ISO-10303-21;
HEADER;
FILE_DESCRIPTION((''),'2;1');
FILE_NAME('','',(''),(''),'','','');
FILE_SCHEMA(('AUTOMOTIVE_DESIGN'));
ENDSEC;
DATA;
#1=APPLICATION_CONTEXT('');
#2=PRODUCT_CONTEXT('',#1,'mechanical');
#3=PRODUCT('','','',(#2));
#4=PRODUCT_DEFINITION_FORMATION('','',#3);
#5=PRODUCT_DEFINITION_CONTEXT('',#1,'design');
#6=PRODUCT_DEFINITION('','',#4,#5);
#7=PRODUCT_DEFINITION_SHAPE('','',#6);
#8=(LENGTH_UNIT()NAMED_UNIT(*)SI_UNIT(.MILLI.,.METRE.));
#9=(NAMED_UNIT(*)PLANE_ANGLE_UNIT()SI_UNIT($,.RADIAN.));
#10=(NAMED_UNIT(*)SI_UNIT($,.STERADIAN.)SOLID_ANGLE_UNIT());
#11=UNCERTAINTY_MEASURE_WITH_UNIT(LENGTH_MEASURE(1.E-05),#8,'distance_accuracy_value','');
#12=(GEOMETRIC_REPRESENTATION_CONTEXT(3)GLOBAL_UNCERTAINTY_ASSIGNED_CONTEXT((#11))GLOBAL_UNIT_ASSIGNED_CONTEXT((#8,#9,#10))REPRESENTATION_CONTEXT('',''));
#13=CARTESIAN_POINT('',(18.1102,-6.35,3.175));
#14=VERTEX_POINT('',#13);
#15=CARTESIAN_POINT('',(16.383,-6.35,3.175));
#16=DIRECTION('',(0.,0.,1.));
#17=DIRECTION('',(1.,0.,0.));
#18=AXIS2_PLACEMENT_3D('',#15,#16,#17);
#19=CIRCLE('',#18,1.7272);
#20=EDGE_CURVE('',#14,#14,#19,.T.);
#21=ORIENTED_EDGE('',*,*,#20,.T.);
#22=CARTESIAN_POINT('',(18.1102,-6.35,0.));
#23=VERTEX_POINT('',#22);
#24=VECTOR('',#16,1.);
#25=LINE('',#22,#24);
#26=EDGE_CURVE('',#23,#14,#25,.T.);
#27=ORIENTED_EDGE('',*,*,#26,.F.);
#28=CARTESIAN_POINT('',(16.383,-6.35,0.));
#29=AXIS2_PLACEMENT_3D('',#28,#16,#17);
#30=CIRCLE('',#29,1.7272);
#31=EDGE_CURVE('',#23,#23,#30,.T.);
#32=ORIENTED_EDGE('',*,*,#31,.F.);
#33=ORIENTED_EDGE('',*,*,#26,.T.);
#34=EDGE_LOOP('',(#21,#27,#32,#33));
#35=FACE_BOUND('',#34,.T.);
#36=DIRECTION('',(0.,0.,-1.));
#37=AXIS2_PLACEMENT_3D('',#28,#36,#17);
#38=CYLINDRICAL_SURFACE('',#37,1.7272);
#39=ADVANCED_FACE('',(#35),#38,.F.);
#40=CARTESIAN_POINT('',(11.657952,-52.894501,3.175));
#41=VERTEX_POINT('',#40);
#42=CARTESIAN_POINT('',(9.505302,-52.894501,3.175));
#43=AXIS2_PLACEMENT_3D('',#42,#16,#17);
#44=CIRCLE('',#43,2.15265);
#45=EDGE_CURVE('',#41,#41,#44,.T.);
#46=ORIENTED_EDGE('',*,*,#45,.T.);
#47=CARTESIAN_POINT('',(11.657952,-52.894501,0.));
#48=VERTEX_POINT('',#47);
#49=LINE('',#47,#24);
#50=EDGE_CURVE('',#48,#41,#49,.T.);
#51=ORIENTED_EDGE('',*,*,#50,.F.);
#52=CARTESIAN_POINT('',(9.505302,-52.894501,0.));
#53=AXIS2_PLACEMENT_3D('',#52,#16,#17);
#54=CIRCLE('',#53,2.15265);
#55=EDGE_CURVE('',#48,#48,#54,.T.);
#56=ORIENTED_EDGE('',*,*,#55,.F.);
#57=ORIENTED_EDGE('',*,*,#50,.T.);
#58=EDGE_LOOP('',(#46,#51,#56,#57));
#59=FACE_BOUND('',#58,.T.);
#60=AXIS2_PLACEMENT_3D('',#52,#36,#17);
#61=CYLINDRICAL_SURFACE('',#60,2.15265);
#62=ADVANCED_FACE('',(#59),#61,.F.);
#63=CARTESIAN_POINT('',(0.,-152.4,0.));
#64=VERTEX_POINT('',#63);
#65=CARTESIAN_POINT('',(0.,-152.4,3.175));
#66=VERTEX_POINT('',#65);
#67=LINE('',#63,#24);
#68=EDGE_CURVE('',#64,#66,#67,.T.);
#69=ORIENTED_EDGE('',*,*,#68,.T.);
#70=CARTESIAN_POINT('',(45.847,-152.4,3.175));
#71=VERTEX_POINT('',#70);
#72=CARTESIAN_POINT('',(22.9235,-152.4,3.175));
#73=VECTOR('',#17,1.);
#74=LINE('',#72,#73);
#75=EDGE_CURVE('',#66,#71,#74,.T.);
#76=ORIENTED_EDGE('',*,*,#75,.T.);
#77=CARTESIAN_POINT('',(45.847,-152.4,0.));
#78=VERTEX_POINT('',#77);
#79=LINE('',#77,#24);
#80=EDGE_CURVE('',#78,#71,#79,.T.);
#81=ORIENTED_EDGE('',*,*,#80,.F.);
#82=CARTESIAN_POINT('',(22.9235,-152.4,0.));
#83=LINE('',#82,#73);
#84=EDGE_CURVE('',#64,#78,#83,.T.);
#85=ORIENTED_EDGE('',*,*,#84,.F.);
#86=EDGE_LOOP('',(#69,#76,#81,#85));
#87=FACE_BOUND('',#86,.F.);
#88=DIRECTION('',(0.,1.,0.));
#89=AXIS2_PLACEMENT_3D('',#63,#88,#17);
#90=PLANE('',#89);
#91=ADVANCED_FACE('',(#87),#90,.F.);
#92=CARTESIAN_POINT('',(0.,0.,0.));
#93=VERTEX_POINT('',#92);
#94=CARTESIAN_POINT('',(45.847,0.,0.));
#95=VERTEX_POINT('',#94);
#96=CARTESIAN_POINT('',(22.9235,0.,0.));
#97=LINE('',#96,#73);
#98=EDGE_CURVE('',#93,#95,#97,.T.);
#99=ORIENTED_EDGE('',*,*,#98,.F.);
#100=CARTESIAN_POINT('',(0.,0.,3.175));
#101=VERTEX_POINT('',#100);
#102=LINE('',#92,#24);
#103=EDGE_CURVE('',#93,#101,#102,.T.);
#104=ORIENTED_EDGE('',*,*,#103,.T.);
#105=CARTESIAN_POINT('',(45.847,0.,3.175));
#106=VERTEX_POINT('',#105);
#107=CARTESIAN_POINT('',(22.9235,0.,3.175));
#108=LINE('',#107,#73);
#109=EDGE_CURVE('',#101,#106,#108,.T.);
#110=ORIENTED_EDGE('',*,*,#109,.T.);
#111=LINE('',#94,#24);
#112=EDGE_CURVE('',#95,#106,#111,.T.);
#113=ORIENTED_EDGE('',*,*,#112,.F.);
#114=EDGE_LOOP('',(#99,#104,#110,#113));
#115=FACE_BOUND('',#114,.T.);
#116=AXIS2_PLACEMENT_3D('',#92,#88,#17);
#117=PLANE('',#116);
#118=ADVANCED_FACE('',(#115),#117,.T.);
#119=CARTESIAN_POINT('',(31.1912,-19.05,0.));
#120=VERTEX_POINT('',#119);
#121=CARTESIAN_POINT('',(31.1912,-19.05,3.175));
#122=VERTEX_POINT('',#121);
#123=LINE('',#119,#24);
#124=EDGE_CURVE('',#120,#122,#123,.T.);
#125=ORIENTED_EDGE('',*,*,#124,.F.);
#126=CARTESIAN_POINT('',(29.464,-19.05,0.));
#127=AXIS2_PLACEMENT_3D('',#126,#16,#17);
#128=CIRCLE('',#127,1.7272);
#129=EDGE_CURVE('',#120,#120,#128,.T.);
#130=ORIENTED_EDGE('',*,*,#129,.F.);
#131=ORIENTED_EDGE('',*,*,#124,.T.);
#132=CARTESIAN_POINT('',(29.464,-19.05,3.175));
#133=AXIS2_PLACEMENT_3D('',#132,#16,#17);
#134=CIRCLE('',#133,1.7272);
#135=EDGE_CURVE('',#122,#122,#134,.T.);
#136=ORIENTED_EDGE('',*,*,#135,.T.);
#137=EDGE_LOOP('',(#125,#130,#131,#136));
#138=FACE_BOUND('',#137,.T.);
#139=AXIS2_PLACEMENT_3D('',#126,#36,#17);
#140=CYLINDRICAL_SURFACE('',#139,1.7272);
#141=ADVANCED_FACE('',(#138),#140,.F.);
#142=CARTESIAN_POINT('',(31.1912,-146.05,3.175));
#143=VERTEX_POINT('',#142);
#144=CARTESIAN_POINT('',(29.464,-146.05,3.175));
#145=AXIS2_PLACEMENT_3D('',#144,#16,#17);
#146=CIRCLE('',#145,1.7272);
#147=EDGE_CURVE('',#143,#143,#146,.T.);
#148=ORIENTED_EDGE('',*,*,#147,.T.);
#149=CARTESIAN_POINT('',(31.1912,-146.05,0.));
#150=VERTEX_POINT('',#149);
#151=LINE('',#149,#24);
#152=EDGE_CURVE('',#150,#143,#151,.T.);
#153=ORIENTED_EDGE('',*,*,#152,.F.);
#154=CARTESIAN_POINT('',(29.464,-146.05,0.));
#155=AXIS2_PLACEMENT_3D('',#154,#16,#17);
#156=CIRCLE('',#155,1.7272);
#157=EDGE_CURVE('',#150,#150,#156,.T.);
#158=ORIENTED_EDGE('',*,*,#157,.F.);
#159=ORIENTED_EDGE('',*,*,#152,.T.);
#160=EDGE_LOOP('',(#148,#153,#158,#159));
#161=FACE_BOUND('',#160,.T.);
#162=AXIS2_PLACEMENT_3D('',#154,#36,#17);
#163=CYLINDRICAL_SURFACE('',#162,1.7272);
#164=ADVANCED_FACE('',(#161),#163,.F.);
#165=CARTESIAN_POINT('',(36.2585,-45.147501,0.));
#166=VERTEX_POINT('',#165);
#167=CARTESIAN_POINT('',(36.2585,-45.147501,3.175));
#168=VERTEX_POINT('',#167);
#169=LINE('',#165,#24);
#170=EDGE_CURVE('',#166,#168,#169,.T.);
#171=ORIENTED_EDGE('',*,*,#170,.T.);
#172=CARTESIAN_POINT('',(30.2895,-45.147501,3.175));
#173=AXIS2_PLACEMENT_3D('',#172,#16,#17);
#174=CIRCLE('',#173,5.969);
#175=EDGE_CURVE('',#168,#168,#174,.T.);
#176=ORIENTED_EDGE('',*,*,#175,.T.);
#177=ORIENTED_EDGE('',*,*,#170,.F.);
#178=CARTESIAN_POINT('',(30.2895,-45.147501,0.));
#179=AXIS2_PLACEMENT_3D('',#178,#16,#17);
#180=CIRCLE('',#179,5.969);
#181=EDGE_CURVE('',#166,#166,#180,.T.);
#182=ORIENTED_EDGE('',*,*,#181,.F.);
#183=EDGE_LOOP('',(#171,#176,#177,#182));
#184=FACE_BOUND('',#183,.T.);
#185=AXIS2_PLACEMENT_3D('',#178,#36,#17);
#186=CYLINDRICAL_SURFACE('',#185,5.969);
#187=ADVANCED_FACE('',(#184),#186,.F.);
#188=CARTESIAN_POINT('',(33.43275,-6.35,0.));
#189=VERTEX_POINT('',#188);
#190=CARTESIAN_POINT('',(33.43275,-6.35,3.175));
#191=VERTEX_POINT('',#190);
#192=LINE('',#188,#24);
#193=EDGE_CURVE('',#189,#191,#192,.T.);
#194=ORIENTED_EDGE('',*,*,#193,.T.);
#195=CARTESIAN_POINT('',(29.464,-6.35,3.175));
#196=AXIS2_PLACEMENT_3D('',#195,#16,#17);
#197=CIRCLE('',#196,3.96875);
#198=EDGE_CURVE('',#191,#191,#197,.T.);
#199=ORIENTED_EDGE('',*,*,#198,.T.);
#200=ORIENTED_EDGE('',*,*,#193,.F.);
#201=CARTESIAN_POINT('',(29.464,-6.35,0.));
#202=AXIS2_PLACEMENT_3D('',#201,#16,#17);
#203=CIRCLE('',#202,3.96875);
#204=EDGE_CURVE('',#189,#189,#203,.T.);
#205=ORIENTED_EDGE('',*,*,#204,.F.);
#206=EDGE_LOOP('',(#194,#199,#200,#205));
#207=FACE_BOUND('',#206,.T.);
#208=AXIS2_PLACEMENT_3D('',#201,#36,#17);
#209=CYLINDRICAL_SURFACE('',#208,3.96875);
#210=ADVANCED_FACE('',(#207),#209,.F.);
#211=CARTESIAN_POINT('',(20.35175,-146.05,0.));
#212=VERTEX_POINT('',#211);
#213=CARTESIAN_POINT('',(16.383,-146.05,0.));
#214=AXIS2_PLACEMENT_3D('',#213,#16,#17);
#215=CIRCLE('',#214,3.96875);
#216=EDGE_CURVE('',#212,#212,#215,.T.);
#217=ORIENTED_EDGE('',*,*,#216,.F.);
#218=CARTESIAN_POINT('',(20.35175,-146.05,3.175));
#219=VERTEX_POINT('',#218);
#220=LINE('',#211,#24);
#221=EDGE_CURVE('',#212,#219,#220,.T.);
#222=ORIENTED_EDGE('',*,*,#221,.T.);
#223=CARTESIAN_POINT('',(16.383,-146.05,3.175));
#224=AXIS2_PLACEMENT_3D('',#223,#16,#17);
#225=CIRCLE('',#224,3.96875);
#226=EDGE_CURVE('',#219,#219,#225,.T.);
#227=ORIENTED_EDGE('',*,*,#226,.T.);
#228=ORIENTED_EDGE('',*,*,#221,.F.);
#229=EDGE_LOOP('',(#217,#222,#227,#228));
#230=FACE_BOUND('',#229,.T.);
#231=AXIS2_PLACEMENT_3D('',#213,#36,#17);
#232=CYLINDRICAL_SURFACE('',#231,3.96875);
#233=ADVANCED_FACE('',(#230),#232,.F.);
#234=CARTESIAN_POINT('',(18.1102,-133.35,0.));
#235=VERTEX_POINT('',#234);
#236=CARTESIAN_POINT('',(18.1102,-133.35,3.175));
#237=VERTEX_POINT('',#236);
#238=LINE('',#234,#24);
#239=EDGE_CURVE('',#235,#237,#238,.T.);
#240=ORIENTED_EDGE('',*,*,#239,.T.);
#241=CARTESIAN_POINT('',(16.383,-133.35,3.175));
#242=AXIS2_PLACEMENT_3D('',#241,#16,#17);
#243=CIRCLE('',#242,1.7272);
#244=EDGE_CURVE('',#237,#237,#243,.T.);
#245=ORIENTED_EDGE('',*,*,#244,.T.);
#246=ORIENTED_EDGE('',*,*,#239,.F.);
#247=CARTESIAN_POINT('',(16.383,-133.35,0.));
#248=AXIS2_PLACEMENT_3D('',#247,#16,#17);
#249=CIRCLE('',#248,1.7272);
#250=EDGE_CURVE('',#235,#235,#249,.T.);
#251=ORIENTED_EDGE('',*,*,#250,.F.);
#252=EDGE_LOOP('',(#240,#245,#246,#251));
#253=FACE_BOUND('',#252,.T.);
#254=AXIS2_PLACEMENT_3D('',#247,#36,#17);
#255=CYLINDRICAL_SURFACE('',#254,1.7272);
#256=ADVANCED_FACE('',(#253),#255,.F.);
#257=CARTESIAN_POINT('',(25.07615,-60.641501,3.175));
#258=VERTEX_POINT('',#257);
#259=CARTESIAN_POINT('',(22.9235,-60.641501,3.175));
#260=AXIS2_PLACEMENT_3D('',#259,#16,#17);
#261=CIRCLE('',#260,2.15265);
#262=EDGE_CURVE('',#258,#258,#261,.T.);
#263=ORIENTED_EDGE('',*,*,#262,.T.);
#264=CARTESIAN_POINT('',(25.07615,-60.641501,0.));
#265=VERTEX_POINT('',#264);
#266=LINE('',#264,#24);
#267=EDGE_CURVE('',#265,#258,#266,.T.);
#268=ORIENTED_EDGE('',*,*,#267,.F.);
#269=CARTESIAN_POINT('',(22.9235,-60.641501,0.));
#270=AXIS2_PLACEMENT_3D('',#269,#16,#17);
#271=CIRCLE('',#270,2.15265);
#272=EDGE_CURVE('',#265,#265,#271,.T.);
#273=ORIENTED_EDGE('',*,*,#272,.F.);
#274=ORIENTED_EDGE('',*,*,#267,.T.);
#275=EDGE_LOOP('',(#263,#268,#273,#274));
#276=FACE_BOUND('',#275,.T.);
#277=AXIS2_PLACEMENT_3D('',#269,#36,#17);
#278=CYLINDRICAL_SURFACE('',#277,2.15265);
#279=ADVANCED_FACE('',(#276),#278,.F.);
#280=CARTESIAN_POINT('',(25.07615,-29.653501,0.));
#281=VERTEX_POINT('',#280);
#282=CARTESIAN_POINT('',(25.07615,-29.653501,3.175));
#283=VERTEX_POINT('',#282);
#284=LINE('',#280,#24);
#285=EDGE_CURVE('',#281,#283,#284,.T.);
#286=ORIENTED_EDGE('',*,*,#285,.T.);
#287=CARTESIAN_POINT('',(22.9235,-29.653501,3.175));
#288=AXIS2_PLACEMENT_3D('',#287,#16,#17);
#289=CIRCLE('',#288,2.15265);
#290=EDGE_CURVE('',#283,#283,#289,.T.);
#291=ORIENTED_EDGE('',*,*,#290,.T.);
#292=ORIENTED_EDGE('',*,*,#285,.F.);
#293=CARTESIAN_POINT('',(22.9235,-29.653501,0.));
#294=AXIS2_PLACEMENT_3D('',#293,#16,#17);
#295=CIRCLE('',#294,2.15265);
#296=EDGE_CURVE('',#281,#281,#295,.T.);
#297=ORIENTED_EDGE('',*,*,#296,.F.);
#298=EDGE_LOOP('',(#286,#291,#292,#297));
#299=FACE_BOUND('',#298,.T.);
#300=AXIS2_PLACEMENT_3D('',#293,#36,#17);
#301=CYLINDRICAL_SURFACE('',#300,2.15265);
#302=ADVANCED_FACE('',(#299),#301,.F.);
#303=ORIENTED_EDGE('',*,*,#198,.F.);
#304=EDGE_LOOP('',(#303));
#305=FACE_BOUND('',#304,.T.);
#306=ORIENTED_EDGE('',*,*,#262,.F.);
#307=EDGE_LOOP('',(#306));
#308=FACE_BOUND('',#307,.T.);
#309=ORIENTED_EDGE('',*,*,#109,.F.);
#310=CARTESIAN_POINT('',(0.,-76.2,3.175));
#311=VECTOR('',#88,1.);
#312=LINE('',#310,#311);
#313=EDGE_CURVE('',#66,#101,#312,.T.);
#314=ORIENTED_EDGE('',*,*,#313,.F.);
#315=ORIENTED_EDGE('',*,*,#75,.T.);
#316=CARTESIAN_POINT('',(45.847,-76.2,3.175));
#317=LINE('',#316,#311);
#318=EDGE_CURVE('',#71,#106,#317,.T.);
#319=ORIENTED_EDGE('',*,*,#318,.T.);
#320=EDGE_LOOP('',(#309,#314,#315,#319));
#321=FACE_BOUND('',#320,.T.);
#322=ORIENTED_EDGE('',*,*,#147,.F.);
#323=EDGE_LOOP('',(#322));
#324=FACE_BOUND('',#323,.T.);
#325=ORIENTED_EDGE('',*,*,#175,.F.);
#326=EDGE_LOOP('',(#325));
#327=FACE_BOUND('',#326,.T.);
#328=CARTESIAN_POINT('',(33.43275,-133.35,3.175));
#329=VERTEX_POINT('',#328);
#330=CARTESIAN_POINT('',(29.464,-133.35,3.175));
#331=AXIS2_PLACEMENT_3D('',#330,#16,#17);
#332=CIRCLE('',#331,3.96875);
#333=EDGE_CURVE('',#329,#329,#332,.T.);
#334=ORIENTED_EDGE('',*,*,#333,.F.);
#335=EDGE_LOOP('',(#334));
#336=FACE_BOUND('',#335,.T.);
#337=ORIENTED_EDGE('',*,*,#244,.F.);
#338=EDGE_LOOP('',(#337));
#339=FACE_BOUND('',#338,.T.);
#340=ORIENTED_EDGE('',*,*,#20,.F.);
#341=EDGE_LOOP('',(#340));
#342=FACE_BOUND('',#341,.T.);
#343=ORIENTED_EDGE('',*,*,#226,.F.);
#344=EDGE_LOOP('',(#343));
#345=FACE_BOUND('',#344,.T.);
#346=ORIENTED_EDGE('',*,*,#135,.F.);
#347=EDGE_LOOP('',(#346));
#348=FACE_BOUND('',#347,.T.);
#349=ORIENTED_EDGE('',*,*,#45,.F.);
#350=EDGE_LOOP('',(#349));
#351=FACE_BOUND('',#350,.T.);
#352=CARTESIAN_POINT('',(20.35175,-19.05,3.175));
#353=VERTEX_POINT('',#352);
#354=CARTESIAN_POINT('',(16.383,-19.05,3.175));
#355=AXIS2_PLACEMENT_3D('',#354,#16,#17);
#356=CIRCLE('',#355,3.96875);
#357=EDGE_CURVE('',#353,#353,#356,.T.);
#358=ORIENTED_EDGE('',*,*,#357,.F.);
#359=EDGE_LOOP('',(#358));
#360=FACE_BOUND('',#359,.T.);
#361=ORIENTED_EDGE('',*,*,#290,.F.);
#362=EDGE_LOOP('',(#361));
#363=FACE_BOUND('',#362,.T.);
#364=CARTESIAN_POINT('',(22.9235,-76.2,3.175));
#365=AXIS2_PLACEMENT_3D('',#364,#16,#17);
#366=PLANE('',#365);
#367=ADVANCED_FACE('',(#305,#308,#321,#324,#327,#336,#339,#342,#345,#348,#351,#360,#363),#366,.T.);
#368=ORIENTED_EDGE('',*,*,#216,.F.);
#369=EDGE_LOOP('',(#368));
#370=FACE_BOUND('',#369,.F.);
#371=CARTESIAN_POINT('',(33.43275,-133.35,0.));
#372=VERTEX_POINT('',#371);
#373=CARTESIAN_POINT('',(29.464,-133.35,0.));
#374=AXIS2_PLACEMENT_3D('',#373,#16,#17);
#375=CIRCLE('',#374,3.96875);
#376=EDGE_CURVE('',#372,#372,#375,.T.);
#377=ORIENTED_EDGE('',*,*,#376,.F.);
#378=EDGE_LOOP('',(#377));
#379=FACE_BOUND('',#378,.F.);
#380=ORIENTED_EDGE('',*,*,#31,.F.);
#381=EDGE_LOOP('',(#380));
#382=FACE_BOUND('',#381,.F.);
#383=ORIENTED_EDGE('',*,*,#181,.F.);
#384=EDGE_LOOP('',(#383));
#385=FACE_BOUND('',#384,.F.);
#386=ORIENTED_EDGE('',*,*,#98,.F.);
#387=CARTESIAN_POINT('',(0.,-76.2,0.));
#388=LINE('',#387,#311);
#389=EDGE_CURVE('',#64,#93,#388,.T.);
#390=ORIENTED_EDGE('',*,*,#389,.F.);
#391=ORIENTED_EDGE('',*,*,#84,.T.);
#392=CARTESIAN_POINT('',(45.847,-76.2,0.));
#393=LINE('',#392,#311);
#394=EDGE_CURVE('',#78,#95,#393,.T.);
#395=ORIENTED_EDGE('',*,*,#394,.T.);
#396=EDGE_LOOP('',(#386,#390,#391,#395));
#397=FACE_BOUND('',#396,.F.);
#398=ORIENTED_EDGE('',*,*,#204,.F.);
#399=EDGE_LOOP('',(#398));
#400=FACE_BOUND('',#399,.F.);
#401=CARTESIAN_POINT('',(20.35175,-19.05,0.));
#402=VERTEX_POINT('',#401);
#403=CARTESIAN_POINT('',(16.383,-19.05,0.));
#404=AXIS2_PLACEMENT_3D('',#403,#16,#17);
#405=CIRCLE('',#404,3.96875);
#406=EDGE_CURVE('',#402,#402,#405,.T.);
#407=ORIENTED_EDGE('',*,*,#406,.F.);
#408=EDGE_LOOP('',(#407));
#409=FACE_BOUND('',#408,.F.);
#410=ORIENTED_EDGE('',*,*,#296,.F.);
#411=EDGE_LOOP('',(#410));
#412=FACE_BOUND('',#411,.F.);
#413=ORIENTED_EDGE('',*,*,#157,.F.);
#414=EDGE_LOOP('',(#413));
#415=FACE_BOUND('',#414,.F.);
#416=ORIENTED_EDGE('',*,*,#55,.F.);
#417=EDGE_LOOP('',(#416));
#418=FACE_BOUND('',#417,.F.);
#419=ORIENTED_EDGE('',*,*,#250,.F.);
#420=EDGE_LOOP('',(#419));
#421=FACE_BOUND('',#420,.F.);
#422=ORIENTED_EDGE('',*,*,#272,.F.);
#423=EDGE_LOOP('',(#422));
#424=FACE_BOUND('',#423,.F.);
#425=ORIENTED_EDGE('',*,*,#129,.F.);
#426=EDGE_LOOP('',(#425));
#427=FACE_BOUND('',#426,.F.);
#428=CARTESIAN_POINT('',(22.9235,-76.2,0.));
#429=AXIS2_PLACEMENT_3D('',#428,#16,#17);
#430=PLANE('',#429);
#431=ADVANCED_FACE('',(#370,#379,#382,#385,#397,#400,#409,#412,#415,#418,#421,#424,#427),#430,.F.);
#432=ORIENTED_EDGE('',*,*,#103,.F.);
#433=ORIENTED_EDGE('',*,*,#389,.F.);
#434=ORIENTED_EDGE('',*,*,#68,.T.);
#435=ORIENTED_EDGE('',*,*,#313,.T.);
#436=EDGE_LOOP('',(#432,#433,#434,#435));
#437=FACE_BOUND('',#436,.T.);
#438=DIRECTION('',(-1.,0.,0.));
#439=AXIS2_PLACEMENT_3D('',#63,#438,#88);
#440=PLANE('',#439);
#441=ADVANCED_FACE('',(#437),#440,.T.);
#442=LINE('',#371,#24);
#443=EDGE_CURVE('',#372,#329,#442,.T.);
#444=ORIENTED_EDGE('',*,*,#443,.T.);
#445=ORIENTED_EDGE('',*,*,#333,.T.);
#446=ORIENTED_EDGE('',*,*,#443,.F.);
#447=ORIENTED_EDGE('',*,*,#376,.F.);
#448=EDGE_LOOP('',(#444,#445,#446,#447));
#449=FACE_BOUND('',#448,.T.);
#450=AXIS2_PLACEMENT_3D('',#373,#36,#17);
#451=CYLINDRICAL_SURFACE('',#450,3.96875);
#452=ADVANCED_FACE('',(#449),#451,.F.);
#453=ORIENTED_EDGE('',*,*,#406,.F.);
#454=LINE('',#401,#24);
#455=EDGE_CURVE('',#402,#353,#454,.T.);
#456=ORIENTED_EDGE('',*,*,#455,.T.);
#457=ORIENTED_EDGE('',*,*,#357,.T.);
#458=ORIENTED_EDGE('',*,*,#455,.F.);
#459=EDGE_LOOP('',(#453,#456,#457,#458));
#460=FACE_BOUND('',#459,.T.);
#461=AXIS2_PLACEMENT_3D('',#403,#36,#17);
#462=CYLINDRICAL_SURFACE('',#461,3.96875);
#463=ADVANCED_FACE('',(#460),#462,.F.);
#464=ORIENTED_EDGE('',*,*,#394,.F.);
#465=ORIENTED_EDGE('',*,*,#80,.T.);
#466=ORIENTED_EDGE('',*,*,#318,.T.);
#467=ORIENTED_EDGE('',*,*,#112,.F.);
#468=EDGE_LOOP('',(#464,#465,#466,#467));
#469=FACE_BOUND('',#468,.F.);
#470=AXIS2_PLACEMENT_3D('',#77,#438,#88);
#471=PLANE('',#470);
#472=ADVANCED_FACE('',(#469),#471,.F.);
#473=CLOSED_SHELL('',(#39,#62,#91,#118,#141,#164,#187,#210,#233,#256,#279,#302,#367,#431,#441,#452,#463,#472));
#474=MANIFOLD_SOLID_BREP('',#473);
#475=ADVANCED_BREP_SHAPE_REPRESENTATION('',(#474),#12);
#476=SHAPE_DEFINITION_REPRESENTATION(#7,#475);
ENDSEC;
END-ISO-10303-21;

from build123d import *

# Parameters (mm, degrees)
F0_W     = 45.847
F0_H     = 152.4
F0_R     = 3.96875
F0_R_2   = 1.7272
F0_R_3   = 2.15265
F0_R_4   = 5.969
F1_DEPTH = 3.175


with BuildPart() as f1:
    # F0 (on Top) → F1 (new body)
    with BuildSketch(Plane.XY):
        with Locations((22.9235, -76.2)):
            Rectangle(F0_W, F0_H)
        with Locations((16.383, -146.05)):
            Circle(F0_R, mode=Mode.SUBTRACT)
        with Locations((16.383, -133.35)):
            Circle(F0_R_2, mode=Mode.SUBTRACT)
        with Locations((29.464, -146.05)):
            Circle(F0_R_2, mode=Mode.SUBTRACT)
        with Locations((29.464, -133.35)):
            Circle(F0_R, mode=Mode.SUBTRACT)
        with Locations((9.505302, -52.894501)):
            Circle(F0_R_3, mode=Mode.SUBTRACT)
        with Locations((16.383, -19.05)):
            Circle(F0_R, mode=Mode.SUBTRACT)
        with Locations((16.383, -6.35)):
            Circle(F0_R_2, mode=Mode.SUBTRACT)
        with Locations((22.9235, -60.641501)):
            Circle(F0_R_3, mode=Mode.SUBTRACT)
        with Locations((30.2895, -45.147501)):
            Circle(F0_R_4, mode=Mode.SUBTRACT)
        with Locations((22.9235, -29.653501)):
            Circle(F0_R_3, mode=Mode.SUBTRACT)
        with Locations((29.464, -19.05)):
            Circle(F0_R_2, mode=Mode.SUBTRACT)
        with Locations((29.464, -6.35)):
            Circle(F0_R, mode=Mode.SUBTRACT)
    extrude(amount=F1_DEPTH)


solid = f1.part
